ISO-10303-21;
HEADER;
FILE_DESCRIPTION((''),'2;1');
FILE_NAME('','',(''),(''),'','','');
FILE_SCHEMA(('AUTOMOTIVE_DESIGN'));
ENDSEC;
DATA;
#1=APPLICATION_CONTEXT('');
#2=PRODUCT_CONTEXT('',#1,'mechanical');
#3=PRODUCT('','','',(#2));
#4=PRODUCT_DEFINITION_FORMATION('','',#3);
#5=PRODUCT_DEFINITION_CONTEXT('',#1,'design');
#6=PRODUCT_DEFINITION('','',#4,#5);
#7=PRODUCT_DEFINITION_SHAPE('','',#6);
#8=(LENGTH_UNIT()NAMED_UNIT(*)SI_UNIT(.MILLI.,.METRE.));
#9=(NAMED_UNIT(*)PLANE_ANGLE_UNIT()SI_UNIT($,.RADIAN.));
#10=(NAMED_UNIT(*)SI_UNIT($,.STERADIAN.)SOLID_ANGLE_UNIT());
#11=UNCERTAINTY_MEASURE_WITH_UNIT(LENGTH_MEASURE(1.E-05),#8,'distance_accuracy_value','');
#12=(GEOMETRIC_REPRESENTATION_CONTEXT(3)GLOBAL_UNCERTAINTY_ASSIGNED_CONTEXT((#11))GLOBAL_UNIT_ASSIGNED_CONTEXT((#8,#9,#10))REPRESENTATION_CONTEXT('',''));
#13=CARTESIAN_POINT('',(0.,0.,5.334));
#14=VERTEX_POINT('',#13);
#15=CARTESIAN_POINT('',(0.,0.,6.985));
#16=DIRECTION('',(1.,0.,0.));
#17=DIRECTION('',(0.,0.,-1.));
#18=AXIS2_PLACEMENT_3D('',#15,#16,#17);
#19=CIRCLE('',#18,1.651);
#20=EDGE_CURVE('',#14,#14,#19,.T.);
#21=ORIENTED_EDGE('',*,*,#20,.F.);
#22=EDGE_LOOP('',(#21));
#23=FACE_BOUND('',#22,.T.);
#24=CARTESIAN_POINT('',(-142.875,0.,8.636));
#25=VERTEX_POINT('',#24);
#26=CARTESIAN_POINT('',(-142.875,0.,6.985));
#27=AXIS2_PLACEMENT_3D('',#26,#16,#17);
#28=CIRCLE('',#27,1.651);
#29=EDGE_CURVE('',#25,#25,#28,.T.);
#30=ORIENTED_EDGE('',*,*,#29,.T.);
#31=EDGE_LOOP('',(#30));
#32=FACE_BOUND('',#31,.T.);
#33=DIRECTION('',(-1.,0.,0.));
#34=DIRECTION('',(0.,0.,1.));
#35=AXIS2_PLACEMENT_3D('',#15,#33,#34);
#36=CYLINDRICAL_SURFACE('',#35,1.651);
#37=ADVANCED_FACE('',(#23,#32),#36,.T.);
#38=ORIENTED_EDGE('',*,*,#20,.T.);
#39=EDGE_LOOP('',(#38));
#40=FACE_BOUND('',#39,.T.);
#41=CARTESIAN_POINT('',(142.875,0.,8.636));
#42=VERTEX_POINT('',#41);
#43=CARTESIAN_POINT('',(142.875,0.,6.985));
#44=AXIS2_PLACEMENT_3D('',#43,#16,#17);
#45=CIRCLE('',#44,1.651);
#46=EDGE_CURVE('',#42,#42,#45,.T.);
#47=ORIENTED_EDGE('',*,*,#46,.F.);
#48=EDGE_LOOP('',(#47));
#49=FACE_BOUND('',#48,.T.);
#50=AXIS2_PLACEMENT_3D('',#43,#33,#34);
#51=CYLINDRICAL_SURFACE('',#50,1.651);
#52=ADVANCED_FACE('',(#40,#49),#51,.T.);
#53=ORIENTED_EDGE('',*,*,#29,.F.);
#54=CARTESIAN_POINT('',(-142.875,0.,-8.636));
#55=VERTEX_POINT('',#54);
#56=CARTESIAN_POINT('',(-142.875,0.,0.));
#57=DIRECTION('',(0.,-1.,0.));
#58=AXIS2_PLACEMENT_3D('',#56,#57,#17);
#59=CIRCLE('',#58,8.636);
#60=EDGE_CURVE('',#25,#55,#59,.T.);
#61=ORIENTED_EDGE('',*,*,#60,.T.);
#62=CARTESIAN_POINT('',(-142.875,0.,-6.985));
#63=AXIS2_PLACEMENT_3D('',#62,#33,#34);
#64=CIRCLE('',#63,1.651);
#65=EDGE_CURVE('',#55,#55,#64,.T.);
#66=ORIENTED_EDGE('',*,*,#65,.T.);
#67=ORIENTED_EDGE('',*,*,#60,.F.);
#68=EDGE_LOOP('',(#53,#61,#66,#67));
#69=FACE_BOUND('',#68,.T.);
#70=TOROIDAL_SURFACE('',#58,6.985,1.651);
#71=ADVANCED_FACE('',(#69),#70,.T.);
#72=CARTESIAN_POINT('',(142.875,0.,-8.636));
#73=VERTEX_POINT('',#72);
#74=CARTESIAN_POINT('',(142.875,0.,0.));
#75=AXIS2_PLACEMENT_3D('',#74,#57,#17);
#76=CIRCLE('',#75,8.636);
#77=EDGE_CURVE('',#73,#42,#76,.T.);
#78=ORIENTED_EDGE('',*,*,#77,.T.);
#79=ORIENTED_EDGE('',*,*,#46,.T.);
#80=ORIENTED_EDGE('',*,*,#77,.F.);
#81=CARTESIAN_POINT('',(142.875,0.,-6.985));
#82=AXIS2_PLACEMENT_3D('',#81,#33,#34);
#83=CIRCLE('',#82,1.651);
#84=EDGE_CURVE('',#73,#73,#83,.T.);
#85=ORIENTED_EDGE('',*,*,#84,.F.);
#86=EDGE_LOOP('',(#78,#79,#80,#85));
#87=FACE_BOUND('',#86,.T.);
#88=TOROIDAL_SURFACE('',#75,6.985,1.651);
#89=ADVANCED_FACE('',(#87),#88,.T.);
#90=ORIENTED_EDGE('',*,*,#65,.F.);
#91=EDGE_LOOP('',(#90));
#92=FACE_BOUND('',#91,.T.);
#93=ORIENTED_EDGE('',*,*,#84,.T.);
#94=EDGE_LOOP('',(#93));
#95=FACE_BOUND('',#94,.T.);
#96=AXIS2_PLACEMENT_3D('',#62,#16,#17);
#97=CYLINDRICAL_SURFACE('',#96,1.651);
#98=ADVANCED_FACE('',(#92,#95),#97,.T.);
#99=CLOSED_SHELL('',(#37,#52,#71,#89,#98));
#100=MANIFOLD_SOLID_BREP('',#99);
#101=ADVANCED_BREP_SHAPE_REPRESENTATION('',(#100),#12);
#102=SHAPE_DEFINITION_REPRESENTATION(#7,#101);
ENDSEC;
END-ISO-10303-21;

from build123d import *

# Parameters (mm, degrees)
SKETCH2_R = 1.651


with BuildPart() as part:
    # Sweep1: sweep along a path in Sketch1
    with BuildLine(Plane(origin=(0, 0, 0), x_dir=(1, 0, 0), z_dir=(0, 1, 0))) as sweep1_path:
        Line((-142.875, 6.985), (142.875, 6.985))
        ThreePointArc((142.875, 6.985), (149.86, 0), (142.875, -6.985))
        Line((142.875, -6.985), (-142.875, -6.985))
        ThreePointArc((-142.875, -6.985), (-149.86, 0), (-142.875, 6.985))
    # Sketch2 → Sweep1 (sweep)
    with BuildSketch(Plane(origin=(0, 0, 0), x_dir=(0, 0, -1), z_dir=(1, 0, 0))):
        with Locations((-6.985, 0)):
            Circle(SKETCH2_R)
    sweep(path=sweep1_path.line)


solid = part.part
